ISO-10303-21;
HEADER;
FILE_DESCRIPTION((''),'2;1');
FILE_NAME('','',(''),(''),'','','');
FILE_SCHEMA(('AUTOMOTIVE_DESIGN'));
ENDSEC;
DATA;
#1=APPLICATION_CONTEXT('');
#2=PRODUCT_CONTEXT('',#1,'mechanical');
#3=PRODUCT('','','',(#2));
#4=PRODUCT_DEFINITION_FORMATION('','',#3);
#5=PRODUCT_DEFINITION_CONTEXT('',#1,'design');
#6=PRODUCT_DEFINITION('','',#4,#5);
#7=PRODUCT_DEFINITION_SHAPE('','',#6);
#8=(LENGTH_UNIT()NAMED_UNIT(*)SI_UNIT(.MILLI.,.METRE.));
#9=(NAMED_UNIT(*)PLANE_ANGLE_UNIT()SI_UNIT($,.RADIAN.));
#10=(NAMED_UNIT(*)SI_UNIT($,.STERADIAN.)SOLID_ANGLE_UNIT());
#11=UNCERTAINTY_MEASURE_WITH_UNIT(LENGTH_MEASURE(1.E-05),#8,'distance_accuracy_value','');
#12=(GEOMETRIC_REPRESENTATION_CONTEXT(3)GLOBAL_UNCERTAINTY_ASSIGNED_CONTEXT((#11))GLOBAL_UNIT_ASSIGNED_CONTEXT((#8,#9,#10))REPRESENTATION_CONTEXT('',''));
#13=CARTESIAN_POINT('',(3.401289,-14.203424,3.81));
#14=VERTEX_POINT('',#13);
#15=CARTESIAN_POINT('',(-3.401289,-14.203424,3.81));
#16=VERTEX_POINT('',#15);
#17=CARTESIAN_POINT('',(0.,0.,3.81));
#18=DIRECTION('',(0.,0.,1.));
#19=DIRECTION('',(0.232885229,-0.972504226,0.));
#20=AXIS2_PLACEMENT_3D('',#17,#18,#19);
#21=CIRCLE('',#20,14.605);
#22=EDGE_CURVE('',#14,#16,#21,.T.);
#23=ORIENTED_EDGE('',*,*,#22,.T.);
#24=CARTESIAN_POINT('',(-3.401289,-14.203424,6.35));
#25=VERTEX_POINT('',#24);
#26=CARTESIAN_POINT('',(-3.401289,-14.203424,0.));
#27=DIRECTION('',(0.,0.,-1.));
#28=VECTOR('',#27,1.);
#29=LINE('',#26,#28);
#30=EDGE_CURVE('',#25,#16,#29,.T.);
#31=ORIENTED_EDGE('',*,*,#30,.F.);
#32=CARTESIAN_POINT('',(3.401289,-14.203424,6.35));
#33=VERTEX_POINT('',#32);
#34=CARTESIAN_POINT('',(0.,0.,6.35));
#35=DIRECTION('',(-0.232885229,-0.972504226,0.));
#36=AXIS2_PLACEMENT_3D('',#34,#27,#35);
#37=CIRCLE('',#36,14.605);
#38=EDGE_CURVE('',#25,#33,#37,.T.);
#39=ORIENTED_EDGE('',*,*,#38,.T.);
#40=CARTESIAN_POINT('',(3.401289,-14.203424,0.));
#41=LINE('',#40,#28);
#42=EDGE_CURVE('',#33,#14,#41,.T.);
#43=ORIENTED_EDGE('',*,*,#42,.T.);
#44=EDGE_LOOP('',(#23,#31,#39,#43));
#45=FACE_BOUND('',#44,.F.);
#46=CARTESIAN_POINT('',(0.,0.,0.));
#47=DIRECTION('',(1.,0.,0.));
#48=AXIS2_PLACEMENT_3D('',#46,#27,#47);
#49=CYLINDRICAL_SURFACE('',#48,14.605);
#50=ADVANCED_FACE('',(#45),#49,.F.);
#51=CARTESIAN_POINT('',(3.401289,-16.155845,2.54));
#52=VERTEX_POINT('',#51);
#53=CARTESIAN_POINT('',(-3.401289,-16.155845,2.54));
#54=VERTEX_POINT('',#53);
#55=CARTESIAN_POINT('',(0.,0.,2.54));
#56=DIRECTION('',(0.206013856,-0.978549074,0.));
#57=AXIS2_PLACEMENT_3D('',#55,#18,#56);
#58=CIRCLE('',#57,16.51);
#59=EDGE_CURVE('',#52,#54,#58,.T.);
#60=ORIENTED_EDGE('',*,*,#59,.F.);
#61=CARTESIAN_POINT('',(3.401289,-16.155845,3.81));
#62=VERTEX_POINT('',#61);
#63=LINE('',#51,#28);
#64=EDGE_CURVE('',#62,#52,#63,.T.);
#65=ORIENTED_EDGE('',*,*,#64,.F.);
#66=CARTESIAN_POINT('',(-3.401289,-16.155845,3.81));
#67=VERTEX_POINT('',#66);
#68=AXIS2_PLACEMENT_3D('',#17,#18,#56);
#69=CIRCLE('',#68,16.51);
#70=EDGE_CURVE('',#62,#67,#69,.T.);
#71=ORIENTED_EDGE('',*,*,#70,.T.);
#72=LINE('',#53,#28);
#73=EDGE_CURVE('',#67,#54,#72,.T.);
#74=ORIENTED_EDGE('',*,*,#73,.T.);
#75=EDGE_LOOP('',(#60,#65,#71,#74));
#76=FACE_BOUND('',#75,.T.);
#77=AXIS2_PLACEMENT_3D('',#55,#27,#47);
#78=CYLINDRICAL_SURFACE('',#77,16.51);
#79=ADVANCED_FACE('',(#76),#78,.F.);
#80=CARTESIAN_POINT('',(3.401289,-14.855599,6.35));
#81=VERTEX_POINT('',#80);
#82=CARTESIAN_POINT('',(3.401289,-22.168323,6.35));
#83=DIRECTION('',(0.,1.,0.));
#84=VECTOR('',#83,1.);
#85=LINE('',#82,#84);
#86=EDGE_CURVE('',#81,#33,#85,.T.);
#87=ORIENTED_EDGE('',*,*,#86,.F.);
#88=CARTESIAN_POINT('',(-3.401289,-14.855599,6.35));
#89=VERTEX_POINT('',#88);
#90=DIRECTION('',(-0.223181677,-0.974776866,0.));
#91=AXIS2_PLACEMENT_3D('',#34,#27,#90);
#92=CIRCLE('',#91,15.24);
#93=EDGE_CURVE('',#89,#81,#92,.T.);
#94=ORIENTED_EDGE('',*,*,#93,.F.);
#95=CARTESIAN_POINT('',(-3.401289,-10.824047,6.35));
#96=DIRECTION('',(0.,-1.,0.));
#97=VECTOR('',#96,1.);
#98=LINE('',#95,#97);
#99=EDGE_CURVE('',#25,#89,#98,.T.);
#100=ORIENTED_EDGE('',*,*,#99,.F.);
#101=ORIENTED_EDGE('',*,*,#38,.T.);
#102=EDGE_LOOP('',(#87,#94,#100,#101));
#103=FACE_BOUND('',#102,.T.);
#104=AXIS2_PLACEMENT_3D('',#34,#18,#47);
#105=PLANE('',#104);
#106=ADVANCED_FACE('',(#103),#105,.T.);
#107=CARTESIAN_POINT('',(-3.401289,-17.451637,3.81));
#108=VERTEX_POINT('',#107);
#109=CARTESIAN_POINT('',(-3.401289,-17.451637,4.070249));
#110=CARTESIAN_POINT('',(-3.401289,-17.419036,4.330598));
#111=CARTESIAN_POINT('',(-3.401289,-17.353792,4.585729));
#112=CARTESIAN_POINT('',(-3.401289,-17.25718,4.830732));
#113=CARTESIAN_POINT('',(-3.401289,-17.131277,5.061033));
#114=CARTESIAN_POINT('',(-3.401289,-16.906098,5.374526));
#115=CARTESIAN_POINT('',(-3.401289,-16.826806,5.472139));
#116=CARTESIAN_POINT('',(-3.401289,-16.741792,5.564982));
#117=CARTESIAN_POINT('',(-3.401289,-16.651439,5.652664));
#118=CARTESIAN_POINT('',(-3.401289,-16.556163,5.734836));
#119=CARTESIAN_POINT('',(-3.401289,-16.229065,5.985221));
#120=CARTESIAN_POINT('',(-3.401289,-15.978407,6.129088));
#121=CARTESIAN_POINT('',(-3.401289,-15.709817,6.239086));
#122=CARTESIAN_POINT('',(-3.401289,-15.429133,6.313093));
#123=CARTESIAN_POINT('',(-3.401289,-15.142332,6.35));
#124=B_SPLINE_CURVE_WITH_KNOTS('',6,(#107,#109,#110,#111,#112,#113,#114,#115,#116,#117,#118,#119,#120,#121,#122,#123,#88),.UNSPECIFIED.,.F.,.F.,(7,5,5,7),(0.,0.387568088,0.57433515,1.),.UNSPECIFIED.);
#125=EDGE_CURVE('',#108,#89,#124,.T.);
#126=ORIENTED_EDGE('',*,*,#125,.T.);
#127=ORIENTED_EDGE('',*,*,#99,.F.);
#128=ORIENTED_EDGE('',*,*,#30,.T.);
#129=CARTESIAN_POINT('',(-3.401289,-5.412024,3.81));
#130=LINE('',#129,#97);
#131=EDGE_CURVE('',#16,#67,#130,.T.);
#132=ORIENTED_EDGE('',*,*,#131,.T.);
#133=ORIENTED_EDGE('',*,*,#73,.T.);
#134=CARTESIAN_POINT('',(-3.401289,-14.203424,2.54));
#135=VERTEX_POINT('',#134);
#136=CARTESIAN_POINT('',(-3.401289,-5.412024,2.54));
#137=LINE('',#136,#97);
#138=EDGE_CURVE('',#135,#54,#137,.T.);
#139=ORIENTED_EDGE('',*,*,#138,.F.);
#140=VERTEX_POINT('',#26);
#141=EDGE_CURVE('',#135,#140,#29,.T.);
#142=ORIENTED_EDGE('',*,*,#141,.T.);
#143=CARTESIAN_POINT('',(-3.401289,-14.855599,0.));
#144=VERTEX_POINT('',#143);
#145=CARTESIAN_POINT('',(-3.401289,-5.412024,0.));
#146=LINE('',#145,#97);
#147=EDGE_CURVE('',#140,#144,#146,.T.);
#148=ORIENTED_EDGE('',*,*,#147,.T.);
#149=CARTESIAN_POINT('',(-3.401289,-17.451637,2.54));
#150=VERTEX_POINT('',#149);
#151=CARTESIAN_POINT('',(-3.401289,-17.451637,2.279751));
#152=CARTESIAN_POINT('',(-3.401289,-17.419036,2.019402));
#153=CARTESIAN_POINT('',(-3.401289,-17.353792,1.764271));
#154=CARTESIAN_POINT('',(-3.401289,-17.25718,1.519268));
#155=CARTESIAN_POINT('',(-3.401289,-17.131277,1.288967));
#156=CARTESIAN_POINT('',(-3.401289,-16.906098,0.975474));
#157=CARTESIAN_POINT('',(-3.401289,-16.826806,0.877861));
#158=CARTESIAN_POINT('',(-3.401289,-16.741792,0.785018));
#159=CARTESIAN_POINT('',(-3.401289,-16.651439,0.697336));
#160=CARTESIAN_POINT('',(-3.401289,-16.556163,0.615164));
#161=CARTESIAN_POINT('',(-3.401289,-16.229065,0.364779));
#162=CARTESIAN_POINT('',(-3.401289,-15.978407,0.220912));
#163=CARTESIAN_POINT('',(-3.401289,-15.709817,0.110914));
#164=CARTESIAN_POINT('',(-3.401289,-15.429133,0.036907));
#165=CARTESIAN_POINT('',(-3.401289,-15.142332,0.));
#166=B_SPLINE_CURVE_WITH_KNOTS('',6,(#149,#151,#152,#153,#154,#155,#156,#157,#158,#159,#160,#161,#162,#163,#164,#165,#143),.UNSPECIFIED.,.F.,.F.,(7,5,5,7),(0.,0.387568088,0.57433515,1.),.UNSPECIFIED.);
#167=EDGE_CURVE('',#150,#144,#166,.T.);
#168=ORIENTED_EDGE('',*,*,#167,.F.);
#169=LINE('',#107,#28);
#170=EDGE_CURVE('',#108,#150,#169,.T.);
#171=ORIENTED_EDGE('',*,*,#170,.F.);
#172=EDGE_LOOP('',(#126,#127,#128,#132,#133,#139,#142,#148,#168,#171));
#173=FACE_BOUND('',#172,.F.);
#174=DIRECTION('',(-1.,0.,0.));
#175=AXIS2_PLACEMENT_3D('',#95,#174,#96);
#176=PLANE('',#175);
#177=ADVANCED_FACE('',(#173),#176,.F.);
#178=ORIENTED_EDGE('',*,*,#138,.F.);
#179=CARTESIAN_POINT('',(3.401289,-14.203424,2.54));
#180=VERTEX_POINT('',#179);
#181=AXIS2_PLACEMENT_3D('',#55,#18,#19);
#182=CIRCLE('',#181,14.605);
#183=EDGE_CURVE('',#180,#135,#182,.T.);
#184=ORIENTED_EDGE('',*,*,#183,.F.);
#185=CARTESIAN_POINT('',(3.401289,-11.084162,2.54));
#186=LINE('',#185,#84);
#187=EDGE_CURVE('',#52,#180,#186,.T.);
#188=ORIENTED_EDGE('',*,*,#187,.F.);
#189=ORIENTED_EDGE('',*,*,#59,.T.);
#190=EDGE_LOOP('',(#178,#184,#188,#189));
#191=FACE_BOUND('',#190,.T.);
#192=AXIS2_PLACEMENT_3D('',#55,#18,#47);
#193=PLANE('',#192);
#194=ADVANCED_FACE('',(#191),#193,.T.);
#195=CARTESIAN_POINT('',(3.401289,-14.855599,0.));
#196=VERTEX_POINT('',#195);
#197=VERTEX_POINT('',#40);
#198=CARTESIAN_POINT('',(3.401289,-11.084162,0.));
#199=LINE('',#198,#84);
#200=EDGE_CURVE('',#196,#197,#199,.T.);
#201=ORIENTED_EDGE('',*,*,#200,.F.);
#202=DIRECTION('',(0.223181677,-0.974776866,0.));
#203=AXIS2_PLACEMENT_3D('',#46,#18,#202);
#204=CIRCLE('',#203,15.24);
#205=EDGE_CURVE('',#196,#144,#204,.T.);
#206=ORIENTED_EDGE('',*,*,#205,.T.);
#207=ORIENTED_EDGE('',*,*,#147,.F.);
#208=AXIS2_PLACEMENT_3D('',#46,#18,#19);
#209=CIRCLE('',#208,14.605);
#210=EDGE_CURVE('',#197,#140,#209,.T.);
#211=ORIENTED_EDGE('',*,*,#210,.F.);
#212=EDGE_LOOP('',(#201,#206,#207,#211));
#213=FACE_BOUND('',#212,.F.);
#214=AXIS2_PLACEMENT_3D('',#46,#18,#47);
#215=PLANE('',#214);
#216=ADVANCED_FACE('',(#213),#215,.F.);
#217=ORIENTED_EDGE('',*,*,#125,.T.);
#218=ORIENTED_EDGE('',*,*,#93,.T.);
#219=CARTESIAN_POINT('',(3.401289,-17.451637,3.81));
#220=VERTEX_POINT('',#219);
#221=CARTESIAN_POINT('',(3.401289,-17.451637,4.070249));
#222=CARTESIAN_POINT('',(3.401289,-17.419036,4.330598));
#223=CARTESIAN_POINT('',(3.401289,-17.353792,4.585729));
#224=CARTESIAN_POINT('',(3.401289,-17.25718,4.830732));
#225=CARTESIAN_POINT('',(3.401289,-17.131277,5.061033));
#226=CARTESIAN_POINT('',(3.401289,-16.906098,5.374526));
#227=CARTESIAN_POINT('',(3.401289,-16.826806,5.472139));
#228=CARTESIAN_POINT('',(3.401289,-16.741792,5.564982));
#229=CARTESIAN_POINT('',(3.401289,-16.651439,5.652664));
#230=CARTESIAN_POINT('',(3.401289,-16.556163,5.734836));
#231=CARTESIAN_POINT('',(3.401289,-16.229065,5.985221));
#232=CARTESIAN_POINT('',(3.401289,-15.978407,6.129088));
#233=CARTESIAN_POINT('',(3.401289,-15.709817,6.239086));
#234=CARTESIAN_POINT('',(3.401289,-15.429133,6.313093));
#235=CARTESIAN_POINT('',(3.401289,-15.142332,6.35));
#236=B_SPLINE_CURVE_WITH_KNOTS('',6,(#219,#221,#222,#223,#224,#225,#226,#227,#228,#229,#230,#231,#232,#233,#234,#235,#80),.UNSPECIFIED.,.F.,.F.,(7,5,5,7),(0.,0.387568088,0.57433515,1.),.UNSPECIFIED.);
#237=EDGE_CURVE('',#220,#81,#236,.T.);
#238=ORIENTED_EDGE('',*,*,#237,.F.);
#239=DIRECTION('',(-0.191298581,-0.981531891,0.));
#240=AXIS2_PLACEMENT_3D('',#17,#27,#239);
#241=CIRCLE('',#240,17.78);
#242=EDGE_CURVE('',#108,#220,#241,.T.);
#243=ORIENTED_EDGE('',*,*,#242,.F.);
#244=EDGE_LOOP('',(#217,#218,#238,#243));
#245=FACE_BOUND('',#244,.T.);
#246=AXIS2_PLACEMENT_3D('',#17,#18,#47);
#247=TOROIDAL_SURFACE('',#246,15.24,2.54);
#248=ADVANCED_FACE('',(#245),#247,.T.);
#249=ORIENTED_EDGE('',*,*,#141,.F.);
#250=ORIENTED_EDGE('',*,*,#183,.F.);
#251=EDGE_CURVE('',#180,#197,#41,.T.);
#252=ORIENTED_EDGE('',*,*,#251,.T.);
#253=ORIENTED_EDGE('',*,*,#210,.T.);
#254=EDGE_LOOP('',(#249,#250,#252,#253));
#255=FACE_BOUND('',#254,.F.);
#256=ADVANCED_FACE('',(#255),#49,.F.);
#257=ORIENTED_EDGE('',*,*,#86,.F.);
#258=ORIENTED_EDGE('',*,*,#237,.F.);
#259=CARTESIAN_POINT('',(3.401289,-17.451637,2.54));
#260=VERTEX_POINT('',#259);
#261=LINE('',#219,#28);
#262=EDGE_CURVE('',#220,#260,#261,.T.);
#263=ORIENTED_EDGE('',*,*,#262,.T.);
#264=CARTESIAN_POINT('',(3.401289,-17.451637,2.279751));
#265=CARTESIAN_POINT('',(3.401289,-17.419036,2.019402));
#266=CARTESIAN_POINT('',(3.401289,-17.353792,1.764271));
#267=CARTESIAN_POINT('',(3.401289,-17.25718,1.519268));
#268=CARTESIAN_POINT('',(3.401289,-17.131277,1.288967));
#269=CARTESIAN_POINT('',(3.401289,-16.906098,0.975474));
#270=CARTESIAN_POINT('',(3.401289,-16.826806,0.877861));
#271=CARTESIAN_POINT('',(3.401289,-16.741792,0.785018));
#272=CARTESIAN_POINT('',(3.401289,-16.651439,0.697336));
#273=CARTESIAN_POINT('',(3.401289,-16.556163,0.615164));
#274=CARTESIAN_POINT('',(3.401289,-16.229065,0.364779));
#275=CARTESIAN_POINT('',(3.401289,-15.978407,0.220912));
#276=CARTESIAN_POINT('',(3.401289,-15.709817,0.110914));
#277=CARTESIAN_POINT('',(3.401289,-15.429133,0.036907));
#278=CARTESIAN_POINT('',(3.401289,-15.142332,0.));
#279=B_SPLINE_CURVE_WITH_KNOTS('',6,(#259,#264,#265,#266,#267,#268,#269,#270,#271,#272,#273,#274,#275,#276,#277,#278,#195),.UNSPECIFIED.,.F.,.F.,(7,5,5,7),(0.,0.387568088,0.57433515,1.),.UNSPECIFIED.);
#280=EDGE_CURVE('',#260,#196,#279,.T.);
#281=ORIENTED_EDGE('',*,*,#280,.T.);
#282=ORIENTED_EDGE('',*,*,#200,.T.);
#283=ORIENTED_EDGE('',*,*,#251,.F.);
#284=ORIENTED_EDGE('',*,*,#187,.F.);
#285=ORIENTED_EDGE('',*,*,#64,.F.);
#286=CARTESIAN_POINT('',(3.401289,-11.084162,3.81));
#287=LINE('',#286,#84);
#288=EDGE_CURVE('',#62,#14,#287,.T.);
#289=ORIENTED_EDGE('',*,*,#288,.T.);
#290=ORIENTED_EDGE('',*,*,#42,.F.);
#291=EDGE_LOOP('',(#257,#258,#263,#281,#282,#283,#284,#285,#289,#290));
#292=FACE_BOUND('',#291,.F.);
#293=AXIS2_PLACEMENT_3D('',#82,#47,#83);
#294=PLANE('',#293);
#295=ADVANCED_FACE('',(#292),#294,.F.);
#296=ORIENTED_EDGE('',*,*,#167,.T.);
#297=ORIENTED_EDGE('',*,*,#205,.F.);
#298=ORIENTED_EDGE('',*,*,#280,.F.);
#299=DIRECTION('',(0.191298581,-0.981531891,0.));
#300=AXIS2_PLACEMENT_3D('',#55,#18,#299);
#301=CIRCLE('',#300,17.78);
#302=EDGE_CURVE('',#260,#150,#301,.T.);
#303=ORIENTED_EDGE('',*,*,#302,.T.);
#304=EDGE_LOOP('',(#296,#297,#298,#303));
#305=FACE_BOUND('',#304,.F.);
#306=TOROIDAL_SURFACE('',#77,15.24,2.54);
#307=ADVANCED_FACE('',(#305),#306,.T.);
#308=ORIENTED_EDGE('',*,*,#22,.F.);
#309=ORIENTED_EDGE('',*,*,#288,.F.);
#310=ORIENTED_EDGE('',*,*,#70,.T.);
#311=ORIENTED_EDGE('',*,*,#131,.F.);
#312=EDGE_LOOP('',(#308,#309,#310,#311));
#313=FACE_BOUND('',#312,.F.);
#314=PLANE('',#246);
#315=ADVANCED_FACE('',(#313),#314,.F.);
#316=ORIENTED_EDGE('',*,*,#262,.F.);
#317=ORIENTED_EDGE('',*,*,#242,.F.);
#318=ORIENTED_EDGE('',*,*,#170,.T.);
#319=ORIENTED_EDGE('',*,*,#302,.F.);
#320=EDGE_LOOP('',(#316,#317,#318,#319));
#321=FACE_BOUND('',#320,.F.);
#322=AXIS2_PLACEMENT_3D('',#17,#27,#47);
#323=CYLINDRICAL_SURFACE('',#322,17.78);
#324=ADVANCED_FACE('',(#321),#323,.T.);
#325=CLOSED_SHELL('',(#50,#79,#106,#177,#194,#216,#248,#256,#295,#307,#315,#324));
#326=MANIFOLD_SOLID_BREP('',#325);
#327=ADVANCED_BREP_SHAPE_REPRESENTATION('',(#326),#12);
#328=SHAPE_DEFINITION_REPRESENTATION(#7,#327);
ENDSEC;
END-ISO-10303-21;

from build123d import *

# Parameters (mm, degrees)
F0_R      = 17.78
F1_DEPTH  = 2.54
F2_R      = 17.78
F2_R_2    = 16.51
F3_DEPTH  = 1.27
F4_R      = 17.78
F5_DEPTH  = 2.54
F6_R      = 14.605
F7_DEPTH  = 50.8
F8_R      = 2.54
F10_DEPTH = 30.734


with BuildPart() as f1:
    # F0 (on Top) → F1 (new body)
    with BuildSketch(Plane.XY):
        Circle(F0_R)
    extrude(amount=F1_DEPTH)

    # F2 (on face) → F3 (join)
    with BuildSketch(Plane.XY.offset(2.54)):
        Circle(F2_R)
        Circle(F2_R_2, mode=Mode.SUBTRACT)
    extrude(amount=F3_DEPTH)

    # F4 (on face) → F5 (join)
    with BuildSketch(Plane.XY.offset(3.81)):
        Circle(F4_R)
    extrude(amount=F5_DEPTH)

    # F6 (on face) → F7 (cut)
    with BuildSketch(Plane(origin=(0, 0, 0), x_dir=(1, 0, 0), z_dir=(0, 0, -1))):
        Circle(F6_R)
    extrude(amount=-F7_DEPTH, mode=Mode.SUBTRACT)

    # F8
    f8_edges = [f1.edges().sort_by_distance(p)[0] for p in [
        (-17.78, 0, 6.35),
        (-17.78, 0, 0),
    ]]
    fillet(f8_edges, radius=F8_R)

    # F9 (on face) → F10 (cut)
    with BuildSketch(Plane.XY.offset(6.35)):
        with BuildLine():
            Line((-3.4012887627, -22.1683233976), (3.4012887627, -22.1683233976))
            Line((3.4012887627, -22.1683233976), (3.4012887627, -14.855599441))
            ThreePointArc((3.4012887627, -14.855599441), (0, -15.24), (-3.4012887627, -14.855599441))
            Line((-3.4012887627, -14.855599441), (-3.4012887627, -22.1683233976))
        make_face()
        with BuildLine():
            ThreePointArc((-3.4012887627, -14.2034242263), (0, -14.605), (3.4012887627, -14.2034242263))
            Line((3.4012887627, -14.2034242263), (3.4012887627, -10.824047029))
            Line((3.4012887627, -10.824047029), (-3.4012887627, -10.824047029))
            Line((-3.4012887627, -10.824047029), (-3.4012887627, -14.2034242263))
        make_face()
        with BuildLine():
            ThreePointArc((-3.4012887627, -14.855599441), (0, -15.24), (3.4012887627, -14.855599441))
            Line((3.4012887627, -14.855599441), (3.4012887627, -14.2034242263))
            ThreePointArc((3.4012887627, -14.2034242263), (0, -14.605), (-3.4012887627, -14.2034242263))
            Line((-3.4012887627, -14.2034242263), (-3.4012887627, -14.855599441))
        make_face()
    extrude(amount=-F10_DEPTH, mode=Mode.SUBTRACT)


solid = f1.part
